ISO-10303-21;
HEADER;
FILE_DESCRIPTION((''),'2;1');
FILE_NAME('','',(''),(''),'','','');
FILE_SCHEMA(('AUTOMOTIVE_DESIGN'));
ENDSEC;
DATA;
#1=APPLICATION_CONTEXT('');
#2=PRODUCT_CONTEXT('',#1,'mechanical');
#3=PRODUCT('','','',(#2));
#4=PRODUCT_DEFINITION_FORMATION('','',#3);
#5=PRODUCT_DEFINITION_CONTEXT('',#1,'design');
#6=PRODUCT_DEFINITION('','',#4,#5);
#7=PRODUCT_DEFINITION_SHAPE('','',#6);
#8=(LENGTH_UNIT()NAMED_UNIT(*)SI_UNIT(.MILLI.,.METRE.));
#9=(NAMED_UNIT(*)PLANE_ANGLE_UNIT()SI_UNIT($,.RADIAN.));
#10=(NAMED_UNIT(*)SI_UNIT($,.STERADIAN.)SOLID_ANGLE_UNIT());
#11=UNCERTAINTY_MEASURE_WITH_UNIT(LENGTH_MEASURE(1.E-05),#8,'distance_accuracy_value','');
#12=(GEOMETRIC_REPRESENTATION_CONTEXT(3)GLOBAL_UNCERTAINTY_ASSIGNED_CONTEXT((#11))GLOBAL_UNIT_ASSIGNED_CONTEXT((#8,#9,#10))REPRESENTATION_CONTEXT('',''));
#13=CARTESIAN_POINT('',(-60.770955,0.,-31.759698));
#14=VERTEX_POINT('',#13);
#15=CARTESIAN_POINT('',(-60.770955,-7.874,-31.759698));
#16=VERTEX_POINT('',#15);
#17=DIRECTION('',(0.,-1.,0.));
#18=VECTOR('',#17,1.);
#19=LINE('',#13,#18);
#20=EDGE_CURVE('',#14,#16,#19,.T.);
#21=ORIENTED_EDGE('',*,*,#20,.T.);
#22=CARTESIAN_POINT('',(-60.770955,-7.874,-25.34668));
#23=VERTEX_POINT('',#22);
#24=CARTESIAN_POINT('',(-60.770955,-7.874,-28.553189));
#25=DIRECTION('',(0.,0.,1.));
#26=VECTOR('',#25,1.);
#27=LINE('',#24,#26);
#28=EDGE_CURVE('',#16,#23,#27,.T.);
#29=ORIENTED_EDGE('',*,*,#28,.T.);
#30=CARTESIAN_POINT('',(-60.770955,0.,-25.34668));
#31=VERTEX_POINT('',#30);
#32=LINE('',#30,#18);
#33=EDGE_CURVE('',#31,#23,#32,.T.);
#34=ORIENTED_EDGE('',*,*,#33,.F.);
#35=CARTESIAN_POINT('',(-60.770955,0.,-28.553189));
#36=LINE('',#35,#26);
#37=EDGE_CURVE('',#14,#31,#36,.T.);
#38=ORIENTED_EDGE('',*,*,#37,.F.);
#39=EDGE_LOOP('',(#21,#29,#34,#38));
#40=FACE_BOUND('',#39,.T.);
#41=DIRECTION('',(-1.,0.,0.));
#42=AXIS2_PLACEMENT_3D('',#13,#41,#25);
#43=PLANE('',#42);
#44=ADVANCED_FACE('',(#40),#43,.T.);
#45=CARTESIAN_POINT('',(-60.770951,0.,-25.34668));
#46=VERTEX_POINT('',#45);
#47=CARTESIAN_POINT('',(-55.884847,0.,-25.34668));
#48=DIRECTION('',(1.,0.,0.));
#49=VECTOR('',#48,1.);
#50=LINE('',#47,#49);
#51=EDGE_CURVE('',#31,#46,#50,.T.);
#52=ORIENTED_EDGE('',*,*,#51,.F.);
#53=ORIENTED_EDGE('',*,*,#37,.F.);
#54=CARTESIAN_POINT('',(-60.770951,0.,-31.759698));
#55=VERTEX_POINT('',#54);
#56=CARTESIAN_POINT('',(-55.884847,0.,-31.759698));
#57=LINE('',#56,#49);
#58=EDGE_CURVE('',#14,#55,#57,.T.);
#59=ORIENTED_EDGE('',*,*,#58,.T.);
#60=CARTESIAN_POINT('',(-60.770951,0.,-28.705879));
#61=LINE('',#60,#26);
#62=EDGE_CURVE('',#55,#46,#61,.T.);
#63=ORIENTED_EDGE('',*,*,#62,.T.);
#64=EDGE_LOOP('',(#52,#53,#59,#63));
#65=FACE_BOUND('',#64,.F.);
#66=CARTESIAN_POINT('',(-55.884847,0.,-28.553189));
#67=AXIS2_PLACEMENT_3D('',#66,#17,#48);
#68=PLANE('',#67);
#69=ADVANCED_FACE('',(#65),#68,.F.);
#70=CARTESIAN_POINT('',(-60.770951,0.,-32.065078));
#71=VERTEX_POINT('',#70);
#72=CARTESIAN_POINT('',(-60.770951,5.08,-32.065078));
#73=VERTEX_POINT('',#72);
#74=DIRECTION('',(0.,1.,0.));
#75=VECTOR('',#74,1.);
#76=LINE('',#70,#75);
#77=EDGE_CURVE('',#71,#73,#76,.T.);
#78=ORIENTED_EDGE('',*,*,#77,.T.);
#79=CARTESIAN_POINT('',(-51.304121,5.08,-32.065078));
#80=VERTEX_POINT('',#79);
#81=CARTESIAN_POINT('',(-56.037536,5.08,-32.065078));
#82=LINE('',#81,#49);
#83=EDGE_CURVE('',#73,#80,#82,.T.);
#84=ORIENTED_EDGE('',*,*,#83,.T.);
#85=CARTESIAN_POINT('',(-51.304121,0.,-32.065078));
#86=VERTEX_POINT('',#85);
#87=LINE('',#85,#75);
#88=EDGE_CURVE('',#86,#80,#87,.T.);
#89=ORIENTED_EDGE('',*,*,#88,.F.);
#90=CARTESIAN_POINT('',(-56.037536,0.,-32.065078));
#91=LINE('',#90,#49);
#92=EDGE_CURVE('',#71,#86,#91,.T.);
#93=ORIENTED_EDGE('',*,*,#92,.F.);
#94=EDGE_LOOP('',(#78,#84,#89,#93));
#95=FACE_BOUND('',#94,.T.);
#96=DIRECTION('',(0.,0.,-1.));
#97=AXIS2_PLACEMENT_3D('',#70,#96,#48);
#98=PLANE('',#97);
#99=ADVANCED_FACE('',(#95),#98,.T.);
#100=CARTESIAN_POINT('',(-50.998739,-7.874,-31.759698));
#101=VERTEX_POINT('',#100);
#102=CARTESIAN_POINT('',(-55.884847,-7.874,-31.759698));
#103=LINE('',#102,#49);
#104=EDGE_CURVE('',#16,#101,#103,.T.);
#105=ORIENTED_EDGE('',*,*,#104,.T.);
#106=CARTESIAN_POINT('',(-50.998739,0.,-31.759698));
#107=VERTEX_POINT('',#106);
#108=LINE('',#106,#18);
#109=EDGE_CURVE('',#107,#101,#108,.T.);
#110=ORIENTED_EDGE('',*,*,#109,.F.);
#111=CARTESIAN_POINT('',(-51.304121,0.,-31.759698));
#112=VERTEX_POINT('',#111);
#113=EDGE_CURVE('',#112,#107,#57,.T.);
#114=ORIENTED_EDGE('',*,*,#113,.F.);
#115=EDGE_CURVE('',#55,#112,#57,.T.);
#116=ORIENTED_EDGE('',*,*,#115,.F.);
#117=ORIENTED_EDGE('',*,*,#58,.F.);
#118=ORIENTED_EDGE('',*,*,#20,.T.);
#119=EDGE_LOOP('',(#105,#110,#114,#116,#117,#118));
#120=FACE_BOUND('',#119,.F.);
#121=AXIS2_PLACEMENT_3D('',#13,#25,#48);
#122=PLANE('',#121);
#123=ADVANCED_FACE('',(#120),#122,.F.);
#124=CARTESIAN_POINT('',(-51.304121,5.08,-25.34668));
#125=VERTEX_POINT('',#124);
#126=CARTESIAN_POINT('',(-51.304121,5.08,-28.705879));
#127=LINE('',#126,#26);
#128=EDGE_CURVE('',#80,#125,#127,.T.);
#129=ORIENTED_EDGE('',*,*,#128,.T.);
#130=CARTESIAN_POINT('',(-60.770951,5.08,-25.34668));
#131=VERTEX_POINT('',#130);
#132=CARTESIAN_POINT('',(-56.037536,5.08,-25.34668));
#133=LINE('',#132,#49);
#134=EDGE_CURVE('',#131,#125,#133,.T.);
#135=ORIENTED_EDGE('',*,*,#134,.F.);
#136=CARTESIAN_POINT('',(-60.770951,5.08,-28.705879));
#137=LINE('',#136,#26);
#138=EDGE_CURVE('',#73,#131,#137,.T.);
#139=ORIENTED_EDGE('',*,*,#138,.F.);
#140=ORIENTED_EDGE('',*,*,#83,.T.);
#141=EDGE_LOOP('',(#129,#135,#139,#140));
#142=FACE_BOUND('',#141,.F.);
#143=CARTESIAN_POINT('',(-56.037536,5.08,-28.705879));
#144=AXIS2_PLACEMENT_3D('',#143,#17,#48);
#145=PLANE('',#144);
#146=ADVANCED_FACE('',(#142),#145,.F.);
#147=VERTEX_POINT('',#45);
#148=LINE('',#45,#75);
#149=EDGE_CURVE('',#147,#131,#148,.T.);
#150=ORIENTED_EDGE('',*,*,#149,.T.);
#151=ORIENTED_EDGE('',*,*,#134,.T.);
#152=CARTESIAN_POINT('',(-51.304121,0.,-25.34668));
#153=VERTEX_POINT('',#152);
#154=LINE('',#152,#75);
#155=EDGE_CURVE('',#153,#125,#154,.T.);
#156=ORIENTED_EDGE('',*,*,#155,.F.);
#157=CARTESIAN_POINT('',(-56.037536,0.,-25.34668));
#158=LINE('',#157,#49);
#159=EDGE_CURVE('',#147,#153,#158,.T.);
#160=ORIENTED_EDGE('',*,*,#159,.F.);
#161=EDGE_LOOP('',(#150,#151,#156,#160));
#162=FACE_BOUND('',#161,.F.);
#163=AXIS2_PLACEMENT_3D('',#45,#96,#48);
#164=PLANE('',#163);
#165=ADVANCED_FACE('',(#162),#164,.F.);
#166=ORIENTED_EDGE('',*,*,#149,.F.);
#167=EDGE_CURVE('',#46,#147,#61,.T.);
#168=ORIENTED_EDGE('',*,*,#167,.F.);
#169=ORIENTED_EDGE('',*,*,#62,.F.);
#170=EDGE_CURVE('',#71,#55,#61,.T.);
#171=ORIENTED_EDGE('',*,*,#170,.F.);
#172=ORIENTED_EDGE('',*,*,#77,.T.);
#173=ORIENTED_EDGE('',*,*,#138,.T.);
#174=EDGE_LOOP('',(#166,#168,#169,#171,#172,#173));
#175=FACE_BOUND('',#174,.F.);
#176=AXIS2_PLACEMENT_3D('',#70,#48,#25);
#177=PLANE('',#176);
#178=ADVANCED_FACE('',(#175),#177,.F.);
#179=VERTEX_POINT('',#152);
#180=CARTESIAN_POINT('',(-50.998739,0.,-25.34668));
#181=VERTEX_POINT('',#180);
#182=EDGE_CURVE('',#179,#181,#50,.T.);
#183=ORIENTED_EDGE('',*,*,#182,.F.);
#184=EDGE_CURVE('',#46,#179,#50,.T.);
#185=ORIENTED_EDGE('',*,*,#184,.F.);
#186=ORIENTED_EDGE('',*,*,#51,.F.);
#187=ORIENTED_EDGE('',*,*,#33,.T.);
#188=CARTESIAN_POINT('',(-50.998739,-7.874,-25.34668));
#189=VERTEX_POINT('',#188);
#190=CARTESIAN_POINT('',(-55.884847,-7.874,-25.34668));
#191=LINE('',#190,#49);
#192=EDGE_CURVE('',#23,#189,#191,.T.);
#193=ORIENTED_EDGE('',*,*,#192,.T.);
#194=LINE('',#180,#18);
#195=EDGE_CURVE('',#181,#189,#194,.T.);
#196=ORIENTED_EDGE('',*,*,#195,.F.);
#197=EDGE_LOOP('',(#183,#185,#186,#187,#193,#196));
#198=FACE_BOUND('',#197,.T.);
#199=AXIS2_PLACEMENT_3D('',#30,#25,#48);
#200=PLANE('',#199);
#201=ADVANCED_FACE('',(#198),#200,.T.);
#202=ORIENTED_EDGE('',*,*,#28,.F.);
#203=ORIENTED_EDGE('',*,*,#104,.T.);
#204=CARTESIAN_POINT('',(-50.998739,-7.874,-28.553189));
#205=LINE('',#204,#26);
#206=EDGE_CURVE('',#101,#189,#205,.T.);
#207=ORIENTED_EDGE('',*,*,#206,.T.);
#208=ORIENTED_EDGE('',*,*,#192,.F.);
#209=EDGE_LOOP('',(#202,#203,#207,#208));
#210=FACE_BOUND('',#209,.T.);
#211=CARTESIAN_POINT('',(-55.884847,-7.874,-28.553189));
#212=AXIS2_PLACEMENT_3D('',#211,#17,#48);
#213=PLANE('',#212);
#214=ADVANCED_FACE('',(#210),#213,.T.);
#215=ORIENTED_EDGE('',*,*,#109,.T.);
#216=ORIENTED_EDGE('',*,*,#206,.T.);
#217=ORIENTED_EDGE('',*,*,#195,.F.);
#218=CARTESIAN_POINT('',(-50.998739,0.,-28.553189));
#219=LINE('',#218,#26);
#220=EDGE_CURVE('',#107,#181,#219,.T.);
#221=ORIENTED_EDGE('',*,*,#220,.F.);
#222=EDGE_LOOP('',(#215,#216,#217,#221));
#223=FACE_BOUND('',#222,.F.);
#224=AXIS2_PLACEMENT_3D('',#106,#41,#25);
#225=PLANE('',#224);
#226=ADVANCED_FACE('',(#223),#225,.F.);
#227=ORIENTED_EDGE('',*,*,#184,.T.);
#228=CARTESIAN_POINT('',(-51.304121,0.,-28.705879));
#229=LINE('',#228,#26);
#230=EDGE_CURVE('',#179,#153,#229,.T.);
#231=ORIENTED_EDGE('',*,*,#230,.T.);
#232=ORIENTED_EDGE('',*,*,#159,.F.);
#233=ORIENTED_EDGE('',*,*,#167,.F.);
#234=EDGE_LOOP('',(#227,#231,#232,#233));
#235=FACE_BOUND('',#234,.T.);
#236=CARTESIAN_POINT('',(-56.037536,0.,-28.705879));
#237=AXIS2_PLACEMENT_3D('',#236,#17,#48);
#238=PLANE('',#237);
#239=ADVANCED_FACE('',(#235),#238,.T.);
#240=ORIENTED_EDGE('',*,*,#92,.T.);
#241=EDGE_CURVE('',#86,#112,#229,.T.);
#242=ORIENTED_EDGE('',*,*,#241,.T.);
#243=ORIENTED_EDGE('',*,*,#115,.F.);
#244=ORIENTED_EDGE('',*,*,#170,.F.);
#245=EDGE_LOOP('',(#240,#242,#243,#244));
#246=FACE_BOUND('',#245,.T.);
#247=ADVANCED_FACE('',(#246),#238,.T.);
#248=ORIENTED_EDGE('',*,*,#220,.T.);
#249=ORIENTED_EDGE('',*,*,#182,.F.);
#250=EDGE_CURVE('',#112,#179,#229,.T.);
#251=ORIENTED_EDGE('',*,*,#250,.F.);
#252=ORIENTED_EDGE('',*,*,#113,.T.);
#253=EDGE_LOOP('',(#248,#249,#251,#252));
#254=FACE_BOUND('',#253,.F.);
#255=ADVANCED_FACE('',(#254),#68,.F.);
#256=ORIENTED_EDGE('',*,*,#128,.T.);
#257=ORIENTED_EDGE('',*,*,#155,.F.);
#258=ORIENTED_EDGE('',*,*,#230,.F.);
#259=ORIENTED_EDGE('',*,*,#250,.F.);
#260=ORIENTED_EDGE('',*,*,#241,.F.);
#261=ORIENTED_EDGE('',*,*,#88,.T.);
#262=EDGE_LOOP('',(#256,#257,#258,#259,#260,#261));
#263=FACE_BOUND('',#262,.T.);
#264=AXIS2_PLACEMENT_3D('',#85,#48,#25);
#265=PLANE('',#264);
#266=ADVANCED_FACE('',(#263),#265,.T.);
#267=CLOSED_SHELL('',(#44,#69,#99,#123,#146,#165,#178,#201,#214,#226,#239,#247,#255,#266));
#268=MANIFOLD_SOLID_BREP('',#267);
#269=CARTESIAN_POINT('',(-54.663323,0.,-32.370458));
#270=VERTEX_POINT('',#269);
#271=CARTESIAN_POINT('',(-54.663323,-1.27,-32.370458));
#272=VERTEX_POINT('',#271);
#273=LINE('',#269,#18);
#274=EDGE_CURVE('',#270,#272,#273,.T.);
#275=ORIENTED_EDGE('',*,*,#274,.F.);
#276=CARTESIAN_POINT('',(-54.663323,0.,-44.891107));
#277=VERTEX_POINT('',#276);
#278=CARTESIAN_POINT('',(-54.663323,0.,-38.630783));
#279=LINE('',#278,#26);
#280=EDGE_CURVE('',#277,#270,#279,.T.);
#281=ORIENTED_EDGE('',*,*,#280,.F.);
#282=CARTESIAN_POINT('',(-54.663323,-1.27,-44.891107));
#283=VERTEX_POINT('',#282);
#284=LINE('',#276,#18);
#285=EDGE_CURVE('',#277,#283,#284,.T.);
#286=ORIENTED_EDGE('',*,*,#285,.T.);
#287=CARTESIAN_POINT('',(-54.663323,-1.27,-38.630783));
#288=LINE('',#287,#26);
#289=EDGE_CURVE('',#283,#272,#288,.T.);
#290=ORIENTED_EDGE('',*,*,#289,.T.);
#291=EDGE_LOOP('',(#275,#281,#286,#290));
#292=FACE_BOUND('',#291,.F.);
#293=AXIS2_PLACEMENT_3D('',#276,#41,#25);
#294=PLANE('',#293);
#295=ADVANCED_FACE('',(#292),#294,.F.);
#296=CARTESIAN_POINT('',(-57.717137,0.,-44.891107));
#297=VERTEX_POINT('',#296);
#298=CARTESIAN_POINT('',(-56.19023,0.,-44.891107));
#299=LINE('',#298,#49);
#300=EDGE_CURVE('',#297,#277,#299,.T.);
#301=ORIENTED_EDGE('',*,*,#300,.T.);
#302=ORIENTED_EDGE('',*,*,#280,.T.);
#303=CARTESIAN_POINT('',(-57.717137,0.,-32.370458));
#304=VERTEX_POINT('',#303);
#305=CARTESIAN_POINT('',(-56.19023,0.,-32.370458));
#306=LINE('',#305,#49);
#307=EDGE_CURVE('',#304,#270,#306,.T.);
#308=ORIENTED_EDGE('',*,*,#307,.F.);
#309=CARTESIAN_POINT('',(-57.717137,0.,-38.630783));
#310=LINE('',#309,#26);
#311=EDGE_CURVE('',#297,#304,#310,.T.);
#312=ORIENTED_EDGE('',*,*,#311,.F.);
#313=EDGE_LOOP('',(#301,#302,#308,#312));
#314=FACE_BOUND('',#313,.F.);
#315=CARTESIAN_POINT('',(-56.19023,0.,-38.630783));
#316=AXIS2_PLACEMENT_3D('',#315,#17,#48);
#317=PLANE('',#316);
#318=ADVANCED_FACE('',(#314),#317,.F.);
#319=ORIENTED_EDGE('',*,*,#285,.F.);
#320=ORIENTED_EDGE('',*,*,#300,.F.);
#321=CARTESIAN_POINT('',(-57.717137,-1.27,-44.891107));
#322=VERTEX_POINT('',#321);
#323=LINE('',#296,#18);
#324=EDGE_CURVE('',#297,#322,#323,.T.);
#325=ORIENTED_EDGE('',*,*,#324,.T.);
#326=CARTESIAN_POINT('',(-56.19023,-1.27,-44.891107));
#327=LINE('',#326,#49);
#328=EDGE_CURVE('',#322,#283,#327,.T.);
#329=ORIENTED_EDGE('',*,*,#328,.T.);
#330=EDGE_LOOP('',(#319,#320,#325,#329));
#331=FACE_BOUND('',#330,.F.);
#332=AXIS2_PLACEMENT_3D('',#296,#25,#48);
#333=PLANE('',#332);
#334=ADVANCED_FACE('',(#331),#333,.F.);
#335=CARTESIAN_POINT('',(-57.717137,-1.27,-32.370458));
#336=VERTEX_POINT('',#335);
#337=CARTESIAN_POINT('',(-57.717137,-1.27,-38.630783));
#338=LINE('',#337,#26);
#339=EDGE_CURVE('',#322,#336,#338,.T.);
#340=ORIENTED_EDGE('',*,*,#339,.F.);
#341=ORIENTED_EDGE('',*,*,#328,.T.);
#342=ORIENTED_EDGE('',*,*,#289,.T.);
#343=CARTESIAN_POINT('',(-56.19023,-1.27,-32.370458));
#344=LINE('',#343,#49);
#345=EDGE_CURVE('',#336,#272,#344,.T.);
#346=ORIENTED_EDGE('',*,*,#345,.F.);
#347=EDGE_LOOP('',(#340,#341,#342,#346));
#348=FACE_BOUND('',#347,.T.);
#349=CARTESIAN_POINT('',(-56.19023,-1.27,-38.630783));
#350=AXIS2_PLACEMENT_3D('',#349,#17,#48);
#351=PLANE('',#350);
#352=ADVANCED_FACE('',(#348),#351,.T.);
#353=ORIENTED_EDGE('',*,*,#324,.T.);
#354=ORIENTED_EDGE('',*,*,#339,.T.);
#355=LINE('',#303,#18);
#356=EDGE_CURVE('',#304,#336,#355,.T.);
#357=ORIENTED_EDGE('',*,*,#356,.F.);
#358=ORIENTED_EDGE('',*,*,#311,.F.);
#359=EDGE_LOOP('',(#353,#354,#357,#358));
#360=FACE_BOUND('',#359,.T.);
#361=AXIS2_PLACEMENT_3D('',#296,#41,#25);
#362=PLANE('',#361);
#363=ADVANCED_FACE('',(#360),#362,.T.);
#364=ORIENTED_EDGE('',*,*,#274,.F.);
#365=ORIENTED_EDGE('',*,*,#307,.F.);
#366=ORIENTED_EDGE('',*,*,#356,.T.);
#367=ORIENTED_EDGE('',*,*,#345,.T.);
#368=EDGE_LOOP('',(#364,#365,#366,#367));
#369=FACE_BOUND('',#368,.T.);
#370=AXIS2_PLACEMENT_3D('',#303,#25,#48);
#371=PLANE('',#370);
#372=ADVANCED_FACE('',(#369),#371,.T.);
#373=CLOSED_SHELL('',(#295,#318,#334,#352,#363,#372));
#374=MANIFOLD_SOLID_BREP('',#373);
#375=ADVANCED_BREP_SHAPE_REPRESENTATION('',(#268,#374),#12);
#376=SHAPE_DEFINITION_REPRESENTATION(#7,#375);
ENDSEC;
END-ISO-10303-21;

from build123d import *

# Parameters (mm, degrees)
F0_W     = 3.053814
F0_H     = 12.520649
F1_DEPTH = 1.27
F2_W     = 9.772215
F2_H     = 6.413018
F3_DEPTH = 7.874
F4_W     = 9.46683
F4_H     = 6.718399
F5_DEPTH = 5.08


with BuildPart() as f1:
    # F0 (on Front) → F1 (new body)
    with BuildSketch(Plane.XZ):
        with Locations((-56.19023, -38.630783)):
            Rectangle(F0_W, F0_H)
    extrude(amount=F1_DEPTH)


with BuildPart() as f3:
    # F2 (on Front) → F3 (new body)
    with BuildSketch(Plane.XZ):
        with Locations((-55.884847, -28.553189)):
            Rectangle(F2_W, F2_H)
    extrude(amount=F3_DEPTH)

    # F4 (on Front) → F5 (join)
    with BuildSketch(Plane.XZ):
        with Locations((-56.037536, -28.705879)):
            Rectangle(F4_W, F4_H)
    extrude(amount=-F5_DEPTH)


solid = Compound([f1.part, f3.part])
